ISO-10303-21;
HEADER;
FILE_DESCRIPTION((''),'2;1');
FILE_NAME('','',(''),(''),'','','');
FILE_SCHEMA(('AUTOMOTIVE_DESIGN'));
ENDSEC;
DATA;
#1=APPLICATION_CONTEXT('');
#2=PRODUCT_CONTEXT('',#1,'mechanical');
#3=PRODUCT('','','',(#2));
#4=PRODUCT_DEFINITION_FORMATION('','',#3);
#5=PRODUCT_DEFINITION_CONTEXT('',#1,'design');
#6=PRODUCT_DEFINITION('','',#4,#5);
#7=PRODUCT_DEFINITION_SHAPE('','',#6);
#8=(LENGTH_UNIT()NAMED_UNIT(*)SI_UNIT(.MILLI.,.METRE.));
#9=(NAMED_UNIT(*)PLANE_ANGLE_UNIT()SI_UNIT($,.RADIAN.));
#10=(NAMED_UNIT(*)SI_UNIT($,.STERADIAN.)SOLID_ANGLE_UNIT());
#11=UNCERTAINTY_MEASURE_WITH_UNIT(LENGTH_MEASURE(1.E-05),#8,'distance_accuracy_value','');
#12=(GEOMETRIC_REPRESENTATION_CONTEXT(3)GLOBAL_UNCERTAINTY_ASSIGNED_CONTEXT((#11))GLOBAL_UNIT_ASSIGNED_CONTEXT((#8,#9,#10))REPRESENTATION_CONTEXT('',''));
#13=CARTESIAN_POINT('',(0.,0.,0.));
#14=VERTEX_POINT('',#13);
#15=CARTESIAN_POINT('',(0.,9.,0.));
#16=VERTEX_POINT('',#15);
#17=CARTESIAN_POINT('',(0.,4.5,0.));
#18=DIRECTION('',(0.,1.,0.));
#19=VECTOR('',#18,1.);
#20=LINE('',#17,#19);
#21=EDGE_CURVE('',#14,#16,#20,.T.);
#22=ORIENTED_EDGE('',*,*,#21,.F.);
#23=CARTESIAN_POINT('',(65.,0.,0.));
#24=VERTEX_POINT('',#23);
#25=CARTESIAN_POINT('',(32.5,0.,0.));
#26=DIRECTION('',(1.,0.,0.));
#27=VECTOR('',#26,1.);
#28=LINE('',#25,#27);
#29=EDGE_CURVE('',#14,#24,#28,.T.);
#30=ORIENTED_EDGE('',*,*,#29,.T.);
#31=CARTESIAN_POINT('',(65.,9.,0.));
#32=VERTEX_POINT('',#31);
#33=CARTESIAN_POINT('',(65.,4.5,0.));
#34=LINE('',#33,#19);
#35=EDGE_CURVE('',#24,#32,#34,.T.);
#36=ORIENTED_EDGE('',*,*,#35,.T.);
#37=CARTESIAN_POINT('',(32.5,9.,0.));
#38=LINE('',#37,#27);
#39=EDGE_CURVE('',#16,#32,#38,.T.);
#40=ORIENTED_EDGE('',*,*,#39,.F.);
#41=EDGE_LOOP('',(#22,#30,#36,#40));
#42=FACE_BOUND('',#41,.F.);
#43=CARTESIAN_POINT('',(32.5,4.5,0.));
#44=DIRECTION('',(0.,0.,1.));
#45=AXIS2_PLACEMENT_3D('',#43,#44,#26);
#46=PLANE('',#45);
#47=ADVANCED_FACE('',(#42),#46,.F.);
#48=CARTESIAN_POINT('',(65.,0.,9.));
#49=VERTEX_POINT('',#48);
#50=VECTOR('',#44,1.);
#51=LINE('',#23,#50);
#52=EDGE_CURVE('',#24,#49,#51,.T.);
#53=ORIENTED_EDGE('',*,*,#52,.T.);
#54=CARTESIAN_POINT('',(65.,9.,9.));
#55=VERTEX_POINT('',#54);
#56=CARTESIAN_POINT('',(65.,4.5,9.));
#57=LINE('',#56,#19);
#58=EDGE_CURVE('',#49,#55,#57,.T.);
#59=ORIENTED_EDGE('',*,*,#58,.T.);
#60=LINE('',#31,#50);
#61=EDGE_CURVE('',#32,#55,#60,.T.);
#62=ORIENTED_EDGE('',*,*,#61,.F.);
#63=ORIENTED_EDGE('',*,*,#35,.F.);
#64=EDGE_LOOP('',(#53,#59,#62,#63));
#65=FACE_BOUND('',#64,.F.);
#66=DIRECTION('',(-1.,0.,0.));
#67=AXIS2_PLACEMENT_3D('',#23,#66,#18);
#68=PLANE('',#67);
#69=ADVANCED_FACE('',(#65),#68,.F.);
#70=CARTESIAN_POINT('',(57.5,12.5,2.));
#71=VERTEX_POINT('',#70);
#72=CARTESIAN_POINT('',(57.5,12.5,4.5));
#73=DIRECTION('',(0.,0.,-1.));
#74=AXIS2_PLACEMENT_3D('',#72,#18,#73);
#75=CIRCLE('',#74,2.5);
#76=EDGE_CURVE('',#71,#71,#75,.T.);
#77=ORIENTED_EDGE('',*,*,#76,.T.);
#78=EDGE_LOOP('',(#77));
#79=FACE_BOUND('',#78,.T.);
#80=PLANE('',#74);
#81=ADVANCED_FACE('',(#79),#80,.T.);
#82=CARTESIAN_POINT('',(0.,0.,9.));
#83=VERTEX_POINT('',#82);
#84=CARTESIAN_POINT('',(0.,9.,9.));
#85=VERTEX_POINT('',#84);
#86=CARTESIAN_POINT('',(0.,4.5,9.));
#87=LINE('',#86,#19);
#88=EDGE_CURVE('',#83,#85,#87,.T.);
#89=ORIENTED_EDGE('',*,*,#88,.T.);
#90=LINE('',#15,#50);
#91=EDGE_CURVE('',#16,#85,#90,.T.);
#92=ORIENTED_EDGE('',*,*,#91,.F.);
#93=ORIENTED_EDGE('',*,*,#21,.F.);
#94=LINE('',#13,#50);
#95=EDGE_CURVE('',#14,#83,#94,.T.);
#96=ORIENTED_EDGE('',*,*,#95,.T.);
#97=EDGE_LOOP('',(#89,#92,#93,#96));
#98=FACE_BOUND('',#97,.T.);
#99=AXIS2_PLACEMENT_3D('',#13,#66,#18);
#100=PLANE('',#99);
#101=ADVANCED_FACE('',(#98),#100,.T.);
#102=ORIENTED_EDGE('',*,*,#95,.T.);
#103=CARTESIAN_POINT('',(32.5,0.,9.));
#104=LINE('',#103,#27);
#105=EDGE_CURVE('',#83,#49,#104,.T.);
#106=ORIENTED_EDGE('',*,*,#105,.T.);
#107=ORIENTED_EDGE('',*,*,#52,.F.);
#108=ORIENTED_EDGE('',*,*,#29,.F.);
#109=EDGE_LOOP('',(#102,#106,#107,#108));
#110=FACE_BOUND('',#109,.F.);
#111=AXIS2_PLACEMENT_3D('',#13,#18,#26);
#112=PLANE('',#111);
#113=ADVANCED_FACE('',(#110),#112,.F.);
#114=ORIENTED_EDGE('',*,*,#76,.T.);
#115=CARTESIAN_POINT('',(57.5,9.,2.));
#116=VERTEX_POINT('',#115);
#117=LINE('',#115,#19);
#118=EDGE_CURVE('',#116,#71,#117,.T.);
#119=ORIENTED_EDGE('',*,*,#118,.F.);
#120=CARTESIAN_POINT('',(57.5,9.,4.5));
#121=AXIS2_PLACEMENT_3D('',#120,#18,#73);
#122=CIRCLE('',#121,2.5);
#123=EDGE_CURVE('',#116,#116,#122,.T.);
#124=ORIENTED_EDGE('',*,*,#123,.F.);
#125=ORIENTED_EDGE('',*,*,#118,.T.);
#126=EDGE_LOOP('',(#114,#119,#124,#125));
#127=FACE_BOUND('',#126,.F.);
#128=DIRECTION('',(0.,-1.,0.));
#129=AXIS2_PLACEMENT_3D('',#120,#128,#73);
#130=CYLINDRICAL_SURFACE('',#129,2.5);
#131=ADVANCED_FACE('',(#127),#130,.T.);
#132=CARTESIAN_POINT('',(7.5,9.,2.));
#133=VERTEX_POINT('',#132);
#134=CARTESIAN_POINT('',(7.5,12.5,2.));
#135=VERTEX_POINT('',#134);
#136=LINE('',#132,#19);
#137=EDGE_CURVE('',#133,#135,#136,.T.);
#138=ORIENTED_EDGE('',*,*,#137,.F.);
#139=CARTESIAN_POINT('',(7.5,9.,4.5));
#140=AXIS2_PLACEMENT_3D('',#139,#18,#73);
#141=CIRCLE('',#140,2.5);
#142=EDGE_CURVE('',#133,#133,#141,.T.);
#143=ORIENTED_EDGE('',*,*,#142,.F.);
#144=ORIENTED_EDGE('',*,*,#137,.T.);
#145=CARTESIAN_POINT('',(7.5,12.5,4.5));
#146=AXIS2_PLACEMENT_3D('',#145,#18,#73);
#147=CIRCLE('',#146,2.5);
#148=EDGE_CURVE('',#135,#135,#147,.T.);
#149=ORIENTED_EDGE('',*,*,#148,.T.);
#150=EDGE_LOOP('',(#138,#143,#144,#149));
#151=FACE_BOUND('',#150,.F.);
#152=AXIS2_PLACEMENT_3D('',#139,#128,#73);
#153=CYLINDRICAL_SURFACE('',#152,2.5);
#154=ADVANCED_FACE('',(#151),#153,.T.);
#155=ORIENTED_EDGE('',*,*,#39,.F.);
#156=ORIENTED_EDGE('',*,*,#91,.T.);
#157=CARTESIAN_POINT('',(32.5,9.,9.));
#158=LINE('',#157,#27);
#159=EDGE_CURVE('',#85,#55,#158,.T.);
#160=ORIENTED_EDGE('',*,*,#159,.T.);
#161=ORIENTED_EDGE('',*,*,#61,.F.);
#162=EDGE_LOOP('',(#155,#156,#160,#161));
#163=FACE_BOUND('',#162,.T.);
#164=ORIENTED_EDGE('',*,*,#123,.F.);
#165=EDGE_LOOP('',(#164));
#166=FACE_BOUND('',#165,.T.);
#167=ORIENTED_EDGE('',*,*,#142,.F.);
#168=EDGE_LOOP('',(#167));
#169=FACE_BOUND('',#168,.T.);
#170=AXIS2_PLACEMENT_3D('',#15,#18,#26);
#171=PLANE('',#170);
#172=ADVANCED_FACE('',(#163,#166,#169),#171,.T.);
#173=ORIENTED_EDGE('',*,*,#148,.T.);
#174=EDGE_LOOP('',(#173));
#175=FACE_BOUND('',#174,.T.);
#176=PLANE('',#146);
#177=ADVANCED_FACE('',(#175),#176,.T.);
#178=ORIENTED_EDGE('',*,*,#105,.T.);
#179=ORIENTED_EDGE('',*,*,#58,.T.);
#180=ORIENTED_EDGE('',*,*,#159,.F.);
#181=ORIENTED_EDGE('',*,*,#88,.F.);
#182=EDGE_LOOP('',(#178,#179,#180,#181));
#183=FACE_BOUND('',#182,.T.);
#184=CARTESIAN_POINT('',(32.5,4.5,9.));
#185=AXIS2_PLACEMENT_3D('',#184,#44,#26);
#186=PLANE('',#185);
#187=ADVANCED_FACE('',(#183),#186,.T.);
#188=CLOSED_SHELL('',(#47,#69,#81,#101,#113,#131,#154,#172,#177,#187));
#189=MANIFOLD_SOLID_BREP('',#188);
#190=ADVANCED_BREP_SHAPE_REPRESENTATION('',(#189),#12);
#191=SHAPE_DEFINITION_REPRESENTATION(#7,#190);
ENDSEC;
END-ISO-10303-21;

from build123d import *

# Parameters (mm, degrees)
SKETCH1_W           = 65
SKETCH1_H           = 9
BOSS_EXTRUDE1_DEPTH = 9
SKETCH2_R           = 2.5
BOSS_EXTRUDE3_DEPTH = 3.5


with BuildPart() as part:
    # Sketch1 → Boss-Extrude1 (new body)
    with BuildSketch(Plane.XY):
        with Locations((32.5, 4.5)):
            Rectangle(SKETCH1_W, SKETCH1_H)
    extrude(amount=BOSS_EXTRUDE1_DEPTH)

    # Sketch2 → Boss-Extrude3 (add)
    with BuildSketch(Plane(origin=(0, 9, 0), x_dir=(1, 0, 0), z_dir=(0, 1, 0))):
        with Locations(Location((7.5, -4.5, 0), (0, 0, 90))):  # turned: the seam where the file's is
            Circle(SKETCH2_R)
        with Locations(Location((57.5, -4.5, 0), (0, 0, 90))):  # turned: the seam where the file's is
            Circle(SKETCH2_R)
    extrude(amount=BOSS_EXTRUDE3_DEPTH)


solid = part.part
